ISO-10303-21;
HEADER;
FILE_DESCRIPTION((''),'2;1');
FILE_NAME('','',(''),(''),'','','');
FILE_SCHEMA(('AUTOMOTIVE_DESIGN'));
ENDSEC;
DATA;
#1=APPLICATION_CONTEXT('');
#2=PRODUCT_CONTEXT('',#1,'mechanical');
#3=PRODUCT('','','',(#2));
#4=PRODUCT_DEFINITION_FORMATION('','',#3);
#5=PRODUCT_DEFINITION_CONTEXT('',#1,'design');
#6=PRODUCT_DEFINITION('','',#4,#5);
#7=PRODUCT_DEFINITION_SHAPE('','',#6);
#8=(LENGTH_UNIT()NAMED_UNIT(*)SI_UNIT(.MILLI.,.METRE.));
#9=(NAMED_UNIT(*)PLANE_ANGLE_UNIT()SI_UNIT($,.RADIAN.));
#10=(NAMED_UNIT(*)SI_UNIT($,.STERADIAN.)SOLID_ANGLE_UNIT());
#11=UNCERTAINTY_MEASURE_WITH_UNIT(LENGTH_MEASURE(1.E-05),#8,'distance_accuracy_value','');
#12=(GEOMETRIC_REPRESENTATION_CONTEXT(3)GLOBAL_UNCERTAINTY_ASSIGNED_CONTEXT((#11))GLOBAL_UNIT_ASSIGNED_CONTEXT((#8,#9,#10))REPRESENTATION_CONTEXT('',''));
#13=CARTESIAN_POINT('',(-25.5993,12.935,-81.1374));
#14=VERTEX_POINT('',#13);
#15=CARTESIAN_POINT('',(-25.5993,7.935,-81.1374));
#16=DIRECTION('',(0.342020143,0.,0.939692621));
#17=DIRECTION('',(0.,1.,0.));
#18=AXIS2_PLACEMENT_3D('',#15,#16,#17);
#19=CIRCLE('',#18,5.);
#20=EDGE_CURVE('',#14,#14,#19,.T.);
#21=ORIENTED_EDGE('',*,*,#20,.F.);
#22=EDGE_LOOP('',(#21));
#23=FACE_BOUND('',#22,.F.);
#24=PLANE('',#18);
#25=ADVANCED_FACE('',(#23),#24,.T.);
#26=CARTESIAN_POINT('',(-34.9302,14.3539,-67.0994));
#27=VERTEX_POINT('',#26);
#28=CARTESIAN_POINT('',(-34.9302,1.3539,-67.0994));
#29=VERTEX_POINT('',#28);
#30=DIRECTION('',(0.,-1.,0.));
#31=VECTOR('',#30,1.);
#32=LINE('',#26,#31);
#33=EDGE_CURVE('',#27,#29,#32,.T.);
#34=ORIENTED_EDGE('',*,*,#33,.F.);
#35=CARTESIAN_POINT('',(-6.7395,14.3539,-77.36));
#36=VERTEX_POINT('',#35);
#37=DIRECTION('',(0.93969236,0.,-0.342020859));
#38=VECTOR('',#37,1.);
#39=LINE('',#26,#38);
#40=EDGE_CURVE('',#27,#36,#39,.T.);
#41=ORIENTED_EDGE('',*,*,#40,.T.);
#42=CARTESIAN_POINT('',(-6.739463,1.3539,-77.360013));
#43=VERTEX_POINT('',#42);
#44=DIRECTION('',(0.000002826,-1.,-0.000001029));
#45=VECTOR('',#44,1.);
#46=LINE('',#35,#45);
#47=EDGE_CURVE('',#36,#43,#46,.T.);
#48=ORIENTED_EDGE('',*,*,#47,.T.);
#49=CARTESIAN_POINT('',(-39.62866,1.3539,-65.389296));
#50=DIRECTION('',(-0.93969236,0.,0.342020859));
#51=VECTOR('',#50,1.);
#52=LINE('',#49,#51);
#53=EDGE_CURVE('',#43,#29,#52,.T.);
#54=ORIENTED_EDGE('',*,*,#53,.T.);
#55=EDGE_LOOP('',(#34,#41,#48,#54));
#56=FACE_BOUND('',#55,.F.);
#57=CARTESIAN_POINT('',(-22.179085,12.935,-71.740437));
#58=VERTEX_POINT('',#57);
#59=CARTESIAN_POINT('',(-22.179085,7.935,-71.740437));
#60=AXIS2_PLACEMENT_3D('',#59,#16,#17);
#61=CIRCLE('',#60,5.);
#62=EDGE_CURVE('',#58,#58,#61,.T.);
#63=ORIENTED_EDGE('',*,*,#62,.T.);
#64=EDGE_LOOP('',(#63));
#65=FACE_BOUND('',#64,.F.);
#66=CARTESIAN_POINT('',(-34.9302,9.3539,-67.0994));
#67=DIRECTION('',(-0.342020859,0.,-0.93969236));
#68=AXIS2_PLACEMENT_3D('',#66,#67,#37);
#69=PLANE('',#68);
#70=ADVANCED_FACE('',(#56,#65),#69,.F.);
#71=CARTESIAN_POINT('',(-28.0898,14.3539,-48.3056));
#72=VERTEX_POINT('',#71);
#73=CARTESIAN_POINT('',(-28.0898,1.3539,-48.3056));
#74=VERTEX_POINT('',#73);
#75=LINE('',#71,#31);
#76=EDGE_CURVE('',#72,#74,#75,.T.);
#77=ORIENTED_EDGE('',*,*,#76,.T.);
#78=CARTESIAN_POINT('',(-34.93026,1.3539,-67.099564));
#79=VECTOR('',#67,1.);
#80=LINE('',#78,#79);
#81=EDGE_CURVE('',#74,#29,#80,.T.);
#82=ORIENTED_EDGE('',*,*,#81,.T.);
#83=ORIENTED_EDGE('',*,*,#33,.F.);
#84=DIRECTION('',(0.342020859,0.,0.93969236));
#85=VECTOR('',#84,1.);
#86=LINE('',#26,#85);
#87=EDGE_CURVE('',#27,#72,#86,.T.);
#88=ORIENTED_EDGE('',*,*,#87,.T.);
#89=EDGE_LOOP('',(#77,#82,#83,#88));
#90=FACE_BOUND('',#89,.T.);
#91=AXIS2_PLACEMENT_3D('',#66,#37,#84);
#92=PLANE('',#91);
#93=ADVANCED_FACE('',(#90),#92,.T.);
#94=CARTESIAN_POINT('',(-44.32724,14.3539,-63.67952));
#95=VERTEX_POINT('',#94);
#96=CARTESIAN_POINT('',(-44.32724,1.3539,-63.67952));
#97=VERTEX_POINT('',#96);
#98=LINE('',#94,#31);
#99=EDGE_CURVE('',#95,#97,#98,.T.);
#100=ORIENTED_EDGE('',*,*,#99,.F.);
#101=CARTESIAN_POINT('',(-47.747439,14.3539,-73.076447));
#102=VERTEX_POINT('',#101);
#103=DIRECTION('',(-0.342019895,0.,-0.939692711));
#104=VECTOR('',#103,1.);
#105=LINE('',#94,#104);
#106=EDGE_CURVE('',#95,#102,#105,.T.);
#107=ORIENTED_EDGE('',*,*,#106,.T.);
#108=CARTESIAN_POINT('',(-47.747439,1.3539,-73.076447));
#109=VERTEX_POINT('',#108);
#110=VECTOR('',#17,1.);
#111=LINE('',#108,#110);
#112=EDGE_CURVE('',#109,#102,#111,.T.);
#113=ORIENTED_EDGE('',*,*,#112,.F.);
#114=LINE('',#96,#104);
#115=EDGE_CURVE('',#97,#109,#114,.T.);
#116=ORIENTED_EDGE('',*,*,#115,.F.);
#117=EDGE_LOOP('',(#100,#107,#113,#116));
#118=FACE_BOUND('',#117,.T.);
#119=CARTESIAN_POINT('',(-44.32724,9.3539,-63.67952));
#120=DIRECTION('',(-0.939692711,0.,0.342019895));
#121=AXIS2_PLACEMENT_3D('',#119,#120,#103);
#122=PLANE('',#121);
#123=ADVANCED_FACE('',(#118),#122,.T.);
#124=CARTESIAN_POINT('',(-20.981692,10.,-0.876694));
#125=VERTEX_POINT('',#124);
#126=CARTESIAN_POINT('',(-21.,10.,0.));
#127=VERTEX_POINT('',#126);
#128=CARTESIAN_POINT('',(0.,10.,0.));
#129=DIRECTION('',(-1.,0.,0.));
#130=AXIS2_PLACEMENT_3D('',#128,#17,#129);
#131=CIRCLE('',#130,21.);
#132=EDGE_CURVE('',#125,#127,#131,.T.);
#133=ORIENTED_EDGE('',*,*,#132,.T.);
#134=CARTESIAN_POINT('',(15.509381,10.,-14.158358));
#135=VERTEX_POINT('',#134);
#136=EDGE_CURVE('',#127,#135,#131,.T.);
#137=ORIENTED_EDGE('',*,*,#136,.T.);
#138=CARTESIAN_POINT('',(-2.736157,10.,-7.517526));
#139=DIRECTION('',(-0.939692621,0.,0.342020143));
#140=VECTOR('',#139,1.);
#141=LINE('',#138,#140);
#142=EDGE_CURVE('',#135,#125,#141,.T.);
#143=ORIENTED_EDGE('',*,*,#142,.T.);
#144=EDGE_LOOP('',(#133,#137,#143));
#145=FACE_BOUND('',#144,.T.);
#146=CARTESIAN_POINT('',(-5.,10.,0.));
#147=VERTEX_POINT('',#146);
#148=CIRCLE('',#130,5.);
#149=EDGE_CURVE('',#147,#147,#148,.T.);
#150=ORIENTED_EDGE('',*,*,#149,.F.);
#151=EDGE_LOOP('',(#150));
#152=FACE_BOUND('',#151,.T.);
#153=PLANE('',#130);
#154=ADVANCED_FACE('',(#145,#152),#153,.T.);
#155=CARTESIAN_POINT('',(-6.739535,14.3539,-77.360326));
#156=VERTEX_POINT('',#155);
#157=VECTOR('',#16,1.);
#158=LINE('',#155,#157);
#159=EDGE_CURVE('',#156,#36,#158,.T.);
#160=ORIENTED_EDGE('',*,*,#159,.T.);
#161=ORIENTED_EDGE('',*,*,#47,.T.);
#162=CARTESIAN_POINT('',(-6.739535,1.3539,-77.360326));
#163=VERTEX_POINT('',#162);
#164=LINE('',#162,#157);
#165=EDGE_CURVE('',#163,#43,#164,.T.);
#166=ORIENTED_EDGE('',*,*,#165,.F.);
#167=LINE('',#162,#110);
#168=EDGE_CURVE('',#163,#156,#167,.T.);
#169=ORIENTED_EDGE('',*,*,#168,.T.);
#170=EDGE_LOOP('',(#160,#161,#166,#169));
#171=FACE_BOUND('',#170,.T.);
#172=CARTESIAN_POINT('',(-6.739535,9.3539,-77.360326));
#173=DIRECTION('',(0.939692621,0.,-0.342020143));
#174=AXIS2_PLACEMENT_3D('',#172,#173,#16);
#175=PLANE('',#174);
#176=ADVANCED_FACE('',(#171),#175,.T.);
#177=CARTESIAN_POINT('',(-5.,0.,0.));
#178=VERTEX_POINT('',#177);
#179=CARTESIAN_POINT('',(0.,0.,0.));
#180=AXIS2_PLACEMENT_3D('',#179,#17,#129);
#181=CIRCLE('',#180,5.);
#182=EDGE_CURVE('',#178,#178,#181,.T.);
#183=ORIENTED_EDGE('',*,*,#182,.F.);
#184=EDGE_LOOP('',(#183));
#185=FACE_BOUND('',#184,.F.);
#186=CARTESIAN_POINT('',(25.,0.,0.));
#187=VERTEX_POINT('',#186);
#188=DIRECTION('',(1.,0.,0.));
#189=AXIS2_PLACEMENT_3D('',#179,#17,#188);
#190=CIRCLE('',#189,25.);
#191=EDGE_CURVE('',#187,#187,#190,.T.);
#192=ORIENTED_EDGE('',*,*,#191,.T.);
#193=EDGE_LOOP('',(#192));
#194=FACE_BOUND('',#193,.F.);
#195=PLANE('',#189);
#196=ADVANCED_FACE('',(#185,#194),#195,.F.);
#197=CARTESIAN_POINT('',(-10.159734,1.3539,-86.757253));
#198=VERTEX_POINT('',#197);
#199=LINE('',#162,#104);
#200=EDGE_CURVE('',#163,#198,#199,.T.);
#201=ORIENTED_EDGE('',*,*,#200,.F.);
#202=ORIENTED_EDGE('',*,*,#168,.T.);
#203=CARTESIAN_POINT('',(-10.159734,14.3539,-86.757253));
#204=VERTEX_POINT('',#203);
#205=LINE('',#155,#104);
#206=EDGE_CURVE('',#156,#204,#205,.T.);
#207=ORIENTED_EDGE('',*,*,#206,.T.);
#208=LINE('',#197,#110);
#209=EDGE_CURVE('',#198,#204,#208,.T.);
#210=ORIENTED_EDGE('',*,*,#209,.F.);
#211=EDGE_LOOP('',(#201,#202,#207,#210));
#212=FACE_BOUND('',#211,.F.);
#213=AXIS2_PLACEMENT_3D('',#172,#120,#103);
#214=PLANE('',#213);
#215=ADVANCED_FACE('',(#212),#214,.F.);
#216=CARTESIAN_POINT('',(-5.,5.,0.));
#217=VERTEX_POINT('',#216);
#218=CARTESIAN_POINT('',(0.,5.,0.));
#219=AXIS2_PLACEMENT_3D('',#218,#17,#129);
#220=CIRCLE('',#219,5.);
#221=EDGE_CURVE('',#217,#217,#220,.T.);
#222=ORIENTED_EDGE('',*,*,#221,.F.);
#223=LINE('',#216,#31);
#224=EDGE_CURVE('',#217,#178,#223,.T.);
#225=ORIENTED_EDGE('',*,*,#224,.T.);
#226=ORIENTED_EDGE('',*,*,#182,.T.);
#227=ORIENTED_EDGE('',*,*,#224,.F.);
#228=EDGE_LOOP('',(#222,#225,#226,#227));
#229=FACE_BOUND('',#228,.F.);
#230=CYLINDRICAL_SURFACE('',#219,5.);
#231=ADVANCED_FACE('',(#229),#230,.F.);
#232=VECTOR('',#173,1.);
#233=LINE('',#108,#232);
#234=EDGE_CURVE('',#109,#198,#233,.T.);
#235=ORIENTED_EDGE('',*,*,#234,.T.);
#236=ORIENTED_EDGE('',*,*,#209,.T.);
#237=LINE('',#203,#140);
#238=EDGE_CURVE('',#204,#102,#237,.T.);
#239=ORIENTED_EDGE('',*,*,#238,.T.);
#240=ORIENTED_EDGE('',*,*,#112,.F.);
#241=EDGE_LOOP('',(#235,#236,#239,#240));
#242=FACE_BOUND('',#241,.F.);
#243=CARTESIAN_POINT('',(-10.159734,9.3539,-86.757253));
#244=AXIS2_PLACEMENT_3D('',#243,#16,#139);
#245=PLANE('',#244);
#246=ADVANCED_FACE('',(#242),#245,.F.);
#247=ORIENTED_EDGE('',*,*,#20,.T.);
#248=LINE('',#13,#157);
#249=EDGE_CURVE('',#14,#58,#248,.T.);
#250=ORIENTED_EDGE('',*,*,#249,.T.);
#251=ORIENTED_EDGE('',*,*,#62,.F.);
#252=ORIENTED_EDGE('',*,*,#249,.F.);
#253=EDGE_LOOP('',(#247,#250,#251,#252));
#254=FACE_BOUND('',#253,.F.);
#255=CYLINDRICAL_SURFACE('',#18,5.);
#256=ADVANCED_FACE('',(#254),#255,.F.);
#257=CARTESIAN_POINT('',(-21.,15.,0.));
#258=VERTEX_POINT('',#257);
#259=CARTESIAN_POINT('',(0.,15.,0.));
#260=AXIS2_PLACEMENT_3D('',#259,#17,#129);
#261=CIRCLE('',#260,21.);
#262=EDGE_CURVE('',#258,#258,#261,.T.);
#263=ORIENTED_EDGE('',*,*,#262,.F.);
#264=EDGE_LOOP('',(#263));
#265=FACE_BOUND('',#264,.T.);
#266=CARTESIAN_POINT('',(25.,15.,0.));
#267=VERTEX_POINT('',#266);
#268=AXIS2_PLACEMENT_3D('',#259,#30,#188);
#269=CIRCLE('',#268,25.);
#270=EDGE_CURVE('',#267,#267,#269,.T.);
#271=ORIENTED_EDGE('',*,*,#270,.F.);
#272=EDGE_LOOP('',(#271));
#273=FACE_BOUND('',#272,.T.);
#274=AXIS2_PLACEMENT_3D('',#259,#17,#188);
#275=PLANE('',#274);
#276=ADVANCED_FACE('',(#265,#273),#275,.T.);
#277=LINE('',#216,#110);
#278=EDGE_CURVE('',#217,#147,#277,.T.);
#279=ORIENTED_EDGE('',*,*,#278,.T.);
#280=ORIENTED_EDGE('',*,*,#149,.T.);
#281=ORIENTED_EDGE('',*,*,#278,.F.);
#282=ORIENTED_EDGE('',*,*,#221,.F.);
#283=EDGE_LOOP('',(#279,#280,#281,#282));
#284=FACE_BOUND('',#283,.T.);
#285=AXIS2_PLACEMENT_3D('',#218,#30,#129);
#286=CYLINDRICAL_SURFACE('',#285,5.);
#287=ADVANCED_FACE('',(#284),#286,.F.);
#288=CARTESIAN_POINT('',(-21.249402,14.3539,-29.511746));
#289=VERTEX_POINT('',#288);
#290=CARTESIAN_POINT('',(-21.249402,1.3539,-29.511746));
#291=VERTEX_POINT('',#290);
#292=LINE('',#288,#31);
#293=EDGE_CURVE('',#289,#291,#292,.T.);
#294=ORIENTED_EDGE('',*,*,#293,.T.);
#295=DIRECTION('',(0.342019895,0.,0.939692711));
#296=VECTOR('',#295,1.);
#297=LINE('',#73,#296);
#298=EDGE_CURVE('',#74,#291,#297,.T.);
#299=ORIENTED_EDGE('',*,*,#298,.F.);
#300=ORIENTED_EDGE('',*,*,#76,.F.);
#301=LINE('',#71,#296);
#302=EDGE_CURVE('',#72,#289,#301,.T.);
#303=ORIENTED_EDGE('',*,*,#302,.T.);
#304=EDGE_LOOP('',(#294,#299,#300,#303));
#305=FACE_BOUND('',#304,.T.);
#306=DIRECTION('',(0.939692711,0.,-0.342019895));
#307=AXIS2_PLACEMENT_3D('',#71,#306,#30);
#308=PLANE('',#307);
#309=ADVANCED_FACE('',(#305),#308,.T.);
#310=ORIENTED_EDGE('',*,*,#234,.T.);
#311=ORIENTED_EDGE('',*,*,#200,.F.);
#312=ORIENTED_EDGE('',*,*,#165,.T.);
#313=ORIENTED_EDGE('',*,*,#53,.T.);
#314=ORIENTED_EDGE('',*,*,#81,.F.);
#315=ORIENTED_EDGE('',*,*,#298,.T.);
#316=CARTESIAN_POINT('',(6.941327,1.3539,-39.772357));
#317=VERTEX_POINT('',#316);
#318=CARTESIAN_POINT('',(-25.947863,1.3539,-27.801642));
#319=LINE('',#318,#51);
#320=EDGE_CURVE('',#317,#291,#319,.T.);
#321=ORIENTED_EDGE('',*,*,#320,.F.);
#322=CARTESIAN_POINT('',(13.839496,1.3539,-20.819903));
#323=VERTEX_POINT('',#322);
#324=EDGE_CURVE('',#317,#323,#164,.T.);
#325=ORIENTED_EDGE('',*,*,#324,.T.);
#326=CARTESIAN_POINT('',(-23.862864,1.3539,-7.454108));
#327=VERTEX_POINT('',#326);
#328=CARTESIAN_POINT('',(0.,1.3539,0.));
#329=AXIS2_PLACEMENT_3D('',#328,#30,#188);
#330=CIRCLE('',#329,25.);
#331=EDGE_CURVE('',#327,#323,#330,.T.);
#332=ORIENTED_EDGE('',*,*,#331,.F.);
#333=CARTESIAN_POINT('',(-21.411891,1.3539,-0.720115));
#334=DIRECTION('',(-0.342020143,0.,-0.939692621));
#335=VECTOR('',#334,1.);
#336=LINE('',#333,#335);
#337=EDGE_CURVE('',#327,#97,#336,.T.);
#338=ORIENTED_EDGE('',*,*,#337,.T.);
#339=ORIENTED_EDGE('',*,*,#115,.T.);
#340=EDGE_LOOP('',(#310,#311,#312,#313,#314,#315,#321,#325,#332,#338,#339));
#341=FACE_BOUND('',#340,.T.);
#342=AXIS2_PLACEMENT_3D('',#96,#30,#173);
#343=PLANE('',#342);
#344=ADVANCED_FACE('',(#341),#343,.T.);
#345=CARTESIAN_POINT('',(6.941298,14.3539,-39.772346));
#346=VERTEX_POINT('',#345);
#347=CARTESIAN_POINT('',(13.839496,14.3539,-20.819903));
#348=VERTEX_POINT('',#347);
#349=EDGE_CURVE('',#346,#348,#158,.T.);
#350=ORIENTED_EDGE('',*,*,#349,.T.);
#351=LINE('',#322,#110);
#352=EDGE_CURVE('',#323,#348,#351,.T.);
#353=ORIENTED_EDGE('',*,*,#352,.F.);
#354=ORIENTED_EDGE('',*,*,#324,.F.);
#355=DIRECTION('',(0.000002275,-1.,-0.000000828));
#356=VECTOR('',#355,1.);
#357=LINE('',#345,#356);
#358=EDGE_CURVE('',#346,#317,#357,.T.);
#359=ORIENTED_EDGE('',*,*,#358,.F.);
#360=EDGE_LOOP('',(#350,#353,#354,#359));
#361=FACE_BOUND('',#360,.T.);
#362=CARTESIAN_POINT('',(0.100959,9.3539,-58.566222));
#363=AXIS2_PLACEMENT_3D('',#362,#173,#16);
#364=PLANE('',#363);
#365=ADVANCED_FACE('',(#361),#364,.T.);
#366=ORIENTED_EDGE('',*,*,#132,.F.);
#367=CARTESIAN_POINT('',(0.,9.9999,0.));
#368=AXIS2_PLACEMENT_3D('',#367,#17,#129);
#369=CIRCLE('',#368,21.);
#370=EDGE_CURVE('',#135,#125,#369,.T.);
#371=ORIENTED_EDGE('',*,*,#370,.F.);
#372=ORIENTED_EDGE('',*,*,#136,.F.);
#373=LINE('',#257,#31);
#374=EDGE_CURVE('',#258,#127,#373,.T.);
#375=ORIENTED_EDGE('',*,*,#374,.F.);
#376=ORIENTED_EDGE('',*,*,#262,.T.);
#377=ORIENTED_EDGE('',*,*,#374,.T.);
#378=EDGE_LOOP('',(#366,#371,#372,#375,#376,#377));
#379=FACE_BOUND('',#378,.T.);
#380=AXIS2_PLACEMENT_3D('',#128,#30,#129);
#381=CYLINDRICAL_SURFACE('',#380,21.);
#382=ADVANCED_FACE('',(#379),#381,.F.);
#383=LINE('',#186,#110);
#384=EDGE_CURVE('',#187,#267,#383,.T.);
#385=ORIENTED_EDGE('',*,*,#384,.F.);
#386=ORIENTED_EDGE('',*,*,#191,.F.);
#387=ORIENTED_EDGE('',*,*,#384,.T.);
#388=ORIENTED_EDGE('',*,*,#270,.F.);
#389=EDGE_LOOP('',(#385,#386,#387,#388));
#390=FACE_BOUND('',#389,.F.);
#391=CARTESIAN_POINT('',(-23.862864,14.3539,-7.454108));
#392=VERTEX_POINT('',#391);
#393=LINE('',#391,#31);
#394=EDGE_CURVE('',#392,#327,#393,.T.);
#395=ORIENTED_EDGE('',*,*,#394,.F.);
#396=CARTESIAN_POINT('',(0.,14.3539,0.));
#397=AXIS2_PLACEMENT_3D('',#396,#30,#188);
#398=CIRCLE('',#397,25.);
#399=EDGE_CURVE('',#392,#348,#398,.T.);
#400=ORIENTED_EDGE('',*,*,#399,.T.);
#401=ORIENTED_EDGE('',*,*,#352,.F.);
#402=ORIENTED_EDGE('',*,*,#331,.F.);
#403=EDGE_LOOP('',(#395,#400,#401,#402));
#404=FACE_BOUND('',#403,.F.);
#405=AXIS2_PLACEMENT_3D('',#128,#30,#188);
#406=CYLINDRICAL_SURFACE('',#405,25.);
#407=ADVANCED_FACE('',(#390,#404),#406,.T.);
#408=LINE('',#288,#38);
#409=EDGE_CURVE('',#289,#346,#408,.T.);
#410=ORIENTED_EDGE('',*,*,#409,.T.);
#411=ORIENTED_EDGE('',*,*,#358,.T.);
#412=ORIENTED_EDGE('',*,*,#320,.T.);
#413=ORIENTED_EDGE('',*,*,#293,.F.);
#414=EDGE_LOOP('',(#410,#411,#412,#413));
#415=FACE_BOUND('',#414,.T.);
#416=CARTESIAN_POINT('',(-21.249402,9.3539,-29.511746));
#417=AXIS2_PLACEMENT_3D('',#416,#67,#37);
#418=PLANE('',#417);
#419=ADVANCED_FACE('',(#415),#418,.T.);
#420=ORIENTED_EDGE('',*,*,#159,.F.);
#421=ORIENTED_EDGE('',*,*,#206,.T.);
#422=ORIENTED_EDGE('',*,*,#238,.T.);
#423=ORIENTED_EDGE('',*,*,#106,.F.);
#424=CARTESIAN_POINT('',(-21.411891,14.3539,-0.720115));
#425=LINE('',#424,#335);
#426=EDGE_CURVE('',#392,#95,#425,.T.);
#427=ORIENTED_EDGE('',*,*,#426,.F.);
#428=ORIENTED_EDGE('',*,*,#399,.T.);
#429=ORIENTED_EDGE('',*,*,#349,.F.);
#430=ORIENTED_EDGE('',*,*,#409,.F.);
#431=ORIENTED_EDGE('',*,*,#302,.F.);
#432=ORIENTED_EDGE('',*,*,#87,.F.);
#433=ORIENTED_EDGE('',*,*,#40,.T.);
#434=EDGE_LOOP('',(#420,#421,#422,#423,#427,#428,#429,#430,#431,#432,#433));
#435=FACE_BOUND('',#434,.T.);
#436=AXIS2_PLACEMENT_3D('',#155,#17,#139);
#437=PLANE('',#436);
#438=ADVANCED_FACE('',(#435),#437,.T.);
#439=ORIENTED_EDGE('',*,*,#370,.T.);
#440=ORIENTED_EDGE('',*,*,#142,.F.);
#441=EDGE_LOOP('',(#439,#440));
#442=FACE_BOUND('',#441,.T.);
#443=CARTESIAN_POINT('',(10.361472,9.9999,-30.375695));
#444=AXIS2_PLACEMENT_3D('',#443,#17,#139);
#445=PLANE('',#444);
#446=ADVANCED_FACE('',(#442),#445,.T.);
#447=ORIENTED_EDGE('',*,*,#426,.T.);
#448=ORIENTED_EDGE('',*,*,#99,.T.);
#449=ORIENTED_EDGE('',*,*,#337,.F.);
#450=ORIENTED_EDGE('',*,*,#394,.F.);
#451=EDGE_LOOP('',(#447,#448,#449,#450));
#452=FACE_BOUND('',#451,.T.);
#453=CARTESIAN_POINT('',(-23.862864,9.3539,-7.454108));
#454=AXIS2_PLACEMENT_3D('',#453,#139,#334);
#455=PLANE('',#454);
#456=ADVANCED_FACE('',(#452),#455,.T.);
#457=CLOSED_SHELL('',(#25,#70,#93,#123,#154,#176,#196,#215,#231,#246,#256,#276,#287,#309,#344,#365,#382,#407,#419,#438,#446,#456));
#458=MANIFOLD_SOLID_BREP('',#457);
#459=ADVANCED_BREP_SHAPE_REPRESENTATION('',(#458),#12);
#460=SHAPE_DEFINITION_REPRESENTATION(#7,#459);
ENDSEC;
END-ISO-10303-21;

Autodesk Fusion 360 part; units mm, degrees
sketch "Sketch1" plane through (0, 0, 0) normal (0, 1, 0) x (1, 0, 0)
  circle A0 centre (0, 0) radius 25
  dimension "d1" = 50
extrude "Extrude1" add sketch "Sketch1" along normal blind 10
sketch "Sketch2" plane through (0, 10, 0) normal (0, 1, 0) x (-1, 0, 0)
  circle A0 centre (0, 0) radius 25
  circle A1 centre (0, 0) radius 21
  dimension "d4" = 42
extrude "Extrude2" cut sketch "Sketch2" against normal blind 5 contours A1
sketch "Sketch3" plane through (0, 5, 0) normal (0, 1, 0) x (-1, 0, 0)
  circle A0 centre (0, 0) radius 21
  circle A1 centre (0, 0) radius 5
  dimension "d7" = 10
extrude "Extrude3" cut sketch "Sketch3" against normal through all contours A1
ref_plane "WorkPlane1" through (-8.5505, 3.5882, -23.4923) normal (-0.342, 0, -0.9397) x (0.9397, 0, -0.342)
sketch "Sketch4" plane through (-8.5505, 3.5882, -23.4923) normal (-0.342, 0, -0.9397) x (0.9397, 0, -0.342)
  line L0 (-19.8743, 2.2343) -> (20.1257, 2.2343)
  line L1 (20.1257, 2.2343) -> (20.1257, -5.7657)
  line L2 (20.1257, -5.7657) -> (-19.8743, -5.7657)
  line L3 (-19.8743, -5.7657) -> (-19.8743, 2.2343)
  line L4 (-19.8743, 2.2343) -> (20.1257, -5.7657) construction
  line L5 (20.1257, 2.2343) -> (-19.8743, -5.7657) construction
  point P0 (0.1257, -1.7657)
  dimension "d10" = 40
  dimension "d11" = 8
extrude "Extrude4" add sketch "Sketch4" along normal blind 50 and the other way blind 17
extrude "Extrude5" cut 1 faces at (-8.2808, 9.3539, -12.2547) along direction (0, -1, 0) blind 4
extrude "Extrude6" add 1 faces at (-8.2808, 5.3539, -12.2547) along direction (0, -1, 0) blind 5
extrude "Extrude7" cut 1 faces at (-8.2808, 5.3539, -12.2547) along direction (0, -1, 0) blind 0.354
extrude "Extrude8" add 1 faces at (-19.2688, 6.6872, -72.8001) along direction (-0.34202, 0, -0.939693) blind 10
sketch "Sketch5" plane through (0, 9.3539, 0) normal (0, 1, 0) x (-1, 0, 0)
  arc A0 (-13.8395, -20.8199) -> (23.8629, -7.4541) centre (0, 0) ccw
  line L0 (-13.8395, -20.8199) -> (10.1597, -86.757)
  line L1 (10.1597, -86.757) -> (47.7474, -73.0762)
  line L2 (47.7474, -73.0762) -> (23.8629, -7.4541)
  line L3 (10.1597, -86.757) -> (6.7395, -77.36)
  line L4 (34.9302, -67.0994) -> (28.0898, -48.3056)
  line L5 (28.0898, -48.3056) -> (-0.1009, -58.5662)
  line L6 (34.9302, -67.0994) -> (6.7395, -77.36)
  dimension "d24" = 10
  dimension "d26" = 20
extrude "Extrude9" cut sketch "Sketch5" against normal through all contours L0 L4 L5 L6
extrude "Extrude10" add 1 faces at (-11.5472, 9.3539, -43.6568) along direction (0, 1, 0) blind 5
extrude "Extrude11" add 1 faces at (-22.8793, 10, -5.8181) along direction (0, 1, 0) blind 5
extrude "Extrude12" add 1 faces at (-2.433, 5, -6.5632) along direction (0, 1, 0) blind 5
extrude "Extrude13" add 1 faces at (-8.2808, 4.9999, -12.2547) along direction (0, 1, 0) blind 5
extrude "Extrude14" cut 1 faces at (-18.6929, 10.0206, -51.7258) along direction (0.34202, 0, 0.939693) blind 20
hole "Hole1" at (-25.5993, 7.935, -81.1374) direction (0.342, 0, 0.9397) diameter 10 depth 14 tip angle 118
